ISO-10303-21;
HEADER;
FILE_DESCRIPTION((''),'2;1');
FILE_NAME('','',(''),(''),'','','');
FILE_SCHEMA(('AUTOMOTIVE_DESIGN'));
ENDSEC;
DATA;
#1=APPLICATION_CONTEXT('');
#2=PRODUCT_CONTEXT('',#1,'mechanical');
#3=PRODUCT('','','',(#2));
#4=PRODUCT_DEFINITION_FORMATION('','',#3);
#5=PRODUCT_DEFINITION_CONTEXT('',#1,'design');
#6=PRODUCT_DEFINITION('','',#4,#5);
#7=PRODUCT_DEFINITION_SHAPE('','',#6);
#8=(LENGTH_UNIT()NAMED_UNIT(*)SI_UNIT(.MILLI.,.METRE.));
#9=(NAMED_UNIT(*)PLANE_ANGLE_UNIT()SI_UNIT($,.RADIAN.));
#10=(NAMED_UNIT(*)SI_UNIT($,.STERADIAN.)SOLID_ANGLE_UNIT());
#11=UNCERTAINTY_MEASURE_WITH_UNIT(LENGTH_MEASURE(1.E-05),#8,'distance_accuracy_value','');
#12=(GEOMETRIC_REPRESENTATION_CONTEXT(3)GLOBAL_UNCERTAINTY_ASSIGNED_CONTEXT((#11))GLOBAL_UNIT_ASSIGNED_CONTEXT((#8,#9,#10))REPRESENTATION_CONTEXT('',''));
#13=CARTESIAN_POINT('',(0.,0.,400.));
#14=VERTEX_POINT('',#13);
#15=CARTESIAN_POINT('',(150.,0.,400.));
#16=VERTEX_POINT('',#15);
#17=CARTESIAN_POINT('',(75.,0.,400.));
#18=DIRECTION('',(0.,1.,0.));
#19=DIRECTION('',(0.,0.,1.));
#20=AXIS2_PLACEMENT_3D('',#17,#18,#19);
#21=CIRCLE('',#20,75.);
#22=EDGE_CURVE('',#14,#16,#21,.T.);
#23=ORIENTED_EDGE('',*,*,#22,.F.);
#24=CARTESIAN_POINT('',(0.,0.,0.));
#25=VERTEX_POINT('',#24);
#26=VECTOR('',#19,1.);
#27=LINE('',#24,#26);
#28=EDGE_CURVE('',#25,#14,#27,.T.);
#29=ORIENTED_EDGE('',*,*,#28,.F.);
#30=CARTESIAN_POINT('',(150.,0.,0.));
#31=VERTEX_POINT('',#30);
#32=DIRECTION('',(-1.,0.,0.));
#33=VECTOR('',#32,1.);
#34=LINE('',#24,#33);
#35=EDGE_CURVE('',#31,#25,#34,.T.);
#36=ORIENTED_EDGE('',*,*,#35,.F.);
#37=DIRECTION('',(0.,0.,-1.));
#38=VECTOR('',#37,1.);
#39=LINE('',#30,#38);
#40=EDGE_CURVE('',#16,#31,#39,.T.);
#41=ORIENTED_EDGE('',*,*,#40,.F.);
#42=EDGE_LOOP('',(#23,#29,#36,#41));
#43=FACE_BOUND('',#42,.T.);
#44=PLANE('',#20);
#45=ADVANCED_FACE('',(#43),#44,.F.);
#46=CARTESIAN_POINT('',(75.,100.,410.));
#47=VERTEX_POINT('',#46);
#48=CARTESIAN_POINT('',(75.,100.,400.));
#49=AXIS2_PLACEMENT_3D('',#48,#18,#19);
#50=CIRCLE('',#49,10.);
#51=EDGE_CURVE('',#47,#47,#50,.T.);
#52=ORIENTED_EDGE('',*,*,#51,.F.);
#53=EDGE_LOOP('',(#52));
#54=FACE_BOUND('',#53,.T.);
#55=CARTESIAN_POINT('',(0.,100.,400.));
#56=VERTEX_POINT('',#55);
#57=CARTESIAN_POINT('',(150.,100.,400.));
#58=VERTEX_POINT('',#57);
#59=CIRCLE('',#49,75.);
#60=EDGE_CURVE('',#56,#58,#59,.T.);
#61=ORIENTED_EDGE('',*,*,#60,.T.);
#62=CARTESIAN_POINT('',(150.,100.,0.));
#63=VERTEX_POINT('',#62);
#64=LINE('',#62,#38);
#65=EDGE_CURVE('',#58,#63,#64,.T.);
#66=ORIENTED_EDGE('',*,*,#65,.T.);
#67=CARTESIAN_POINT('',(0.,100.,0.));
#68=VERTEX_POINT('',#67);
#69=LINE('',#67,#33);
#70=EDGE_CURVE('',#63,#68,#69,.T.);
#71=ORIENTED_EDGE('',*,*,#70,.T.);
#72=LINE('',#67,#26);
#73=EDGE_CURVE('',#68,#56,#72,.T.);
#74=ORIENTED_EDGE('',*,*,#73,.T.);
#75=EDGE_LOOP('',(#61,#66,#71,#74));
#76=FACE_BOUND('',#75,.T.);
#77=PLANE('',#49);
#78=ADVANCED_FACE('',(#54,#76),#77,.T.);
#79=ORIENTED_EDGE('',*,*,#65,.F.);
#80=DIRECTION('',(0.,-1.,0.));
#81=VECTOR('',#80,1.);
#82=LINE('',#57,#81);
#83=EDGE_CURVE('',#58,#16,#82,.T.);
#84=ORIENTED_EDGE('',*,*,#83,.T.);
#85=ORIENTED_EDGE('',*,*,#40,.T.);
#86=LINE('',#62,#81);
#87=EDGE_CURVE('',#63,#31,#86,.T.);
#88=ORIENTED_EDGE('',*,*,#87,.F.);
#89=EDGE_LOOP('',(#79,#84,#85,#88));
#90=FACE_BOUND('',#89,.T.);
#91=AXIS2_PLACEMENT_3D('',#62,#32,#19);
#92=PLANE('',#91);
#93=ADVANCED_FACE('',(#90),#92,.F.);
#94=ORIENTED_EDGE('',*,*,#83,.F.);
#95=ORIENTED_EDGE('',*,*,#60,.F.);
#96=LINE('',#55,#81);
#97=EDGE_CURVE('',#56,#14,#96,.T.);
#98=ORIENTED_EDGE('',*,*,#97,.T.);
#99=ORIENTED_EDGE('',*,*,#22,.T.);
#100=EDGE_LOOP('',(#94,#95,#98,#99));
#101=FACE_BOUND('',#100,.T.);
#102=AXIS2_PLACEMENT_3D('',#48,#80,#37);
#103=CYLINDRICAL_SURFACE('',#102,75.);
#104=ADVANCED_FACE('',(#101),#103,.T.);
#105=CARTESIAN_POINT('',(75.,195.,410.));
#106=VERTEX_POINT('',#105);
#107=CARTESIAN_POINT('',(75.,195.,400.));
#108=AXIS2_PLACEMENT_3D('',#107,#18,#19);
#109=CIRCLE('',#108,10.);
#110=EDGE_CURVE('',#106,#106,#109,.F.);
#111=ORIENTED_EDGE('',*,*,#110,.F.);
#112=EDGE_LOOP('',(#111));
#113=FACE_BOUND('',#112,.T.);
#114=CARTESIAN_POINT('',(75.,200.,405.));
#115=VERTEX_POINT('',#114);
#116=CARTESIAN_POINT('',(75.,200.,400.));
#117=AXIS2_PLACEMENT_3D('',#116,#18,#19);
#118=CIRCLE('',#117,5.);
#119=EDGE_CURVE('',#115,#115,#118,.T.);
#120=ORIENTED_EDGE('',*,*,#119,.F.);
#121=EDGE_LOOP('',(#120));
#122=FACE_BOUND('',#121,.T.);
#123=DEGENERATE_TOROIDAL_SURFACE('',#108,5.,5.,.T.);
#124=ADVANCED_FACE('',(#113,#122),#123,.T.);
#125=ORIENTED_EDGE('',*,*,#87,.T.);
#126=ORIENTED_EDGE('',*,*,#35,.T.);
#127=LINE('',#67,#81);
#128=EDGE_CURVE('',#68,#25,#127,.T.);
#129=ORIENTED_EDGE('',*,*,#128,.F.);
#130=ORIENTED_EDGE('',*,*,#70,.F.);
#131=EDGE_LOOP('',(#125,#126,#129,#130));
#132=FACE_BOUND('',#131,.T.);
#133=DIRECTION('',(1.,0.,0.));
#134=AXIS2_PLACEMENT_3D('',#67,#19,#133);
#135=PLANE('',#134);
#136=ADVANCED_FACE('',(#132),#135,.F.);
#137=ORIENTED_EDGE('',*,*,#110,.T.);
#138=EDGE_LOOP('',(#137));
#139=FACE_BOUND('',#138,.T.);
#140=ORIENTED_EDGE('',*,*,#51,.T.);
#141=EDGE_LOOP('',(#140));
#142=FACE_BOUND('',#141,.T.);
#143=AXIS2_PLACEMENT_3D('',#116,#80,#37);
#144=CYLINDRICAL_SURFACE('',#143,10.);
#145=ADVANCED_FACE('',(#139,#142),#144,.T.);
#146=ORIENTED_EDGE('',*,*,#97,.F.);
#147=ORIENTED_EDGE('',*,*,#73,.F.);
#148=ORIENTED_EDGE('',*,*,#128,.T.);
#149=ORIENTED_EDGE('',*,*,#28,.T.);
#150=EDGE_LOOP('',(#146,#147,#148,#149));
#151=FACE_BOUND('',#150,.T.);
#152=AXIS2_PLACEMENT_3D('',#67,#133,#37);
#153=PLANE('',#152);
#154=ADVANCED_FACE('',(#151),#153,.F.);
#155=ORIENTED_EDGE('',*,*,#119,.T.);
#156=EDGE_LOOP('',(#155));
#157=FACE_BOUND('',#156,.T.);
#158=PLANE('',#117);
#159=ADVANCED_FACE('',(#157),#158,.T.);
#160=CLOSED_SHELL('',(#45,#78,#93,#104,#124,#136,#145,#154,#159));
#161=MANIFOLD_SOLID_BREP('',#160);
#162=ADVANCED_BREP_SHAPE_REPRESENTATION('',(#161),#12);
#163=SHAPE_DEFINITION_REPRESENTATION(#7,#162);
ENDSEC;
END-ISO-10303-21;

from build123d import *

# Parameters (mm, degrees)
EXTRUDE_1_DEPTH = 100
SKETCH_2_R      = 10
EXTRUDE_2_DEPTH = 100
FILLET_1_R      = 5


with BuildPart() as part:
    # 草图1 → 凸台-拉伸1 (new body)
    with BuildSketch(Plane(origin=(0, 0, 0), x_dir=(1, 0, 0), z_dir=(0, 1, 0))):
        with BuildLine():
            Line((0, 0), (150, 0))
            Line((150, 0), (150, -400))
            ThreePointArc((150, -400), (75, -475), (0, -400))
            Line((0, -400), (0, 0))
        make_face()
    extrude(amount=EXTRUDE_1_DEPTH)

    # 草图2 → 凸台-拉伸2 (add)
    with BuildSketch(Plane(origin=(0, 100, 0), x_dir=(1, 0, 0), z_dir=(0, 1, 0))):
        with Locations((75, -400)):
            Circle(SKETCH_2_R)
    extrude(amount=EXTRUDE_2_DEPTH)

    # 圆角1
    fillet_1_edges = [part.edges().sort_by_distance(p)[0] for p in [
        (65, 200, 400),
    ]]
    fillet(fillet_1_edges, radius=FILLET_1_R)


solid = part.part
